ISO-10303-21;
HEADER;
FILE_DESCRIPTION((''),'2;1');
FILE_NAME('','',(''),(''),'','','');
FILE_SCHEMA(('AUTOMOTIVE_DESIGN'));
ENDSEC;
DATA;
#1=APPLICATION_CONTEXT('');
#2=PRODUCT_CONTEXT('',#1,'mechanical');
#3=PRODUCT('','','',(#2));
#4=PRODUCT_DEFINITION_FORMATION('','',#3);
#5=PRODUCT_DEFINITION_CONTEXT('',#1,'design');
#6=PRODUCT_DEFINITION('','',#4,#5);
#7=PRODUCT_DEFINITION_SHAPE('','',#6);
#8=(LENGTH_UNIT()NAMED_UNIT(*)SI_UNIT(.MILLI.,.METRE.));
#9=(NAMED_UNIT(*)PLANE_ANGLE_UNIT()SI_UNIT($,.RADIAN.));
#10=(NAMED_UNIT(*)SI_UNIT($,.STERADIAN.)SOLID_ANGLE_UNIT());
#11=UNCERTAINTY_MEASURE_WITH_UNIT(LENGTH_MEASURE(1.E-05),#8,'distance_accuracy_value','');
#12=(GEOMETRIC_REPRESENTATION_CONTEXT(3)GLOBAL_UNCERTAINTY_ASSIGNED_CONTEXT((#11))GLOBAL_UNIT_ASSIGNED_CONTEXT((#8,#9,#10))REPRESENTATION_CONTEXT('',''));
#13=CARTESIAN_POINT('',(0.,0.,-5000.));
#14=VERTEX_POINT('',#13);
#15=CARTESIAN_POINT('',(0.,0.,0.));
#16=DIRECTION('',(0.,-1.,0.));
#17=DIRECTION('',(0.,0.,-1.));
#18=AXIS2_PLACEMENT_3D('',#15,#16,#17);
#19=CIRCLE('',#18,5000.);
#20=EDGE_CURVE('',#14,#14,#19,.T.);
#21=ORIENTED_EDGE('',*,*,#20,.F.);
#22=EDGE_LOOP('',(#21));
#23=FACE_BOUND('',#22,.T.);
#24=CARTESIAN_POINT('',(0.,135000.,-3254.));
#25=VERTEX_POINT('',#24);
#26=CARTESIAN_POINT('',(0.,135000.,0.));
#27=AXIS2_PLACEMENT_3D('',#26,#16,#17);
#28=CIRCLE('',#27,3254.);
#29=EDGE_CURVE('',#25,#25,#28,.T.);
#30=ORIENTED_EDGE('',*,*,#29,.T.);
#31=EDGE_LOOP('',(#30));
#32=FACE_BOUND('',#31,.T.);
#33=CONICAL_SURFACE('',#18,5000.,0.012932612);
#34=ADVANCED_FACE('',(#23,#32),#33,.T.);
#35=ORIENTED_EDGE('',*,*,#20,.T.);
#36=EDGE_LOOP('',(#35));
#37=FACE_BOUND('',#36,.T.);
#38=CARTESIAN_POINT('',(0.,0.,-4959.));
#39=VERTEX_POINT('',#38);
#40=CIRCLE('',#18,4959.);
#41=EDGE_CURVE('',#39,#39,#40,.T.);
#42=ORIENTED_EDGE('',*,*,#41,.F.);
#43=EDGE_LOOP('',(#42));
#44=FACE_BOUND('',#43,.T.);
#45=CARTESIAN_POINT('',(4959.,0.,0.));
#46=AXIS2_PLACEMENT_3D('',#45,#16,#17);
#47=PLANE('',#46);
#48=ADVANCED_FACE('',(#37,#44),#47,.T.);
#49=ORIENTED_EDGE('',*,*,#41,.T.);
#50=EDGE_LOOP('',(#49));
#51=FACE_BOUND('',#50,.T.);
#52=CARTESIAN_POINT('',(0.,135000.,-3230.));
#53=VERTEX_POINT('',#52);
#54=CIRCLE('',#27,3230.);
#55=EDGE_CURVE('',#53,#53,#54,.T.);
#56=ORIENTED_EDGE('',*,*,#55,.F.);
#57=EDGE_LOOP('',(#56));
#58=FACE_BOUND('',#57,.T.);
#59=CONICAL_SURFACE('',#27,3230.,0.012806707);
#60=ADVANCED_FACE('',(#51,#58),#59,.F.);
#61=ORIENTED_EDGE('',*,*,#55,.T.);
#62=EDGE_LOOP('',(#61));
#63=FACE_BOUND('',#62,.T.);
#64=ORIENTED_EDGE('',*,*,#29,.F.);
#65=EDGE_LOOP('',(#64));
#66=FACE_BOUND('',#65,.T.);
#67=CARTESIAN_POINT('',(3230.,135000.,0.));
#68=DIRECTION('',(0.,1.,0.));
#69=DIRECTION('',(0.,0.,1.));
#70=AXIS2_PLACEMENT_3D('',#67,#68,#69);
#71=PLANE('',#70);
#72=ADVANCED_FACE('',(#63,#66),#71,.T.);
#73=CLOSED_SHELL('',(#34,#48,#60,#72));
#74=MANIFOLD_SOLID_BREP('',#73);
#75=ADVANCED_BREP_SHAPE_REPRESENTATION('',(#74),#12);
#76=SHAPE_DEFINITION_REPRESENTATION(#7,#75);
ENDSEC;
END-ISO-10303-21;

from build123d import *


with BuildPart() as part:
    # Sketch1 → Revolve1 (revolve)
    with BuildSketch(Plane.XY, mode=Mode.PRIVATE) as revolve1_sk:
        Polygon((4959, 0), (5000, 0), (3254, 135000), (3230, 135000), align=None)
    revolve(revolve1_sk.sketch.rotate(Axis((0, 0, 0), (0, 1, 0)), 90), axis=Axis((0, 0, 0), (0, 1, 0)))


solid = part.part
